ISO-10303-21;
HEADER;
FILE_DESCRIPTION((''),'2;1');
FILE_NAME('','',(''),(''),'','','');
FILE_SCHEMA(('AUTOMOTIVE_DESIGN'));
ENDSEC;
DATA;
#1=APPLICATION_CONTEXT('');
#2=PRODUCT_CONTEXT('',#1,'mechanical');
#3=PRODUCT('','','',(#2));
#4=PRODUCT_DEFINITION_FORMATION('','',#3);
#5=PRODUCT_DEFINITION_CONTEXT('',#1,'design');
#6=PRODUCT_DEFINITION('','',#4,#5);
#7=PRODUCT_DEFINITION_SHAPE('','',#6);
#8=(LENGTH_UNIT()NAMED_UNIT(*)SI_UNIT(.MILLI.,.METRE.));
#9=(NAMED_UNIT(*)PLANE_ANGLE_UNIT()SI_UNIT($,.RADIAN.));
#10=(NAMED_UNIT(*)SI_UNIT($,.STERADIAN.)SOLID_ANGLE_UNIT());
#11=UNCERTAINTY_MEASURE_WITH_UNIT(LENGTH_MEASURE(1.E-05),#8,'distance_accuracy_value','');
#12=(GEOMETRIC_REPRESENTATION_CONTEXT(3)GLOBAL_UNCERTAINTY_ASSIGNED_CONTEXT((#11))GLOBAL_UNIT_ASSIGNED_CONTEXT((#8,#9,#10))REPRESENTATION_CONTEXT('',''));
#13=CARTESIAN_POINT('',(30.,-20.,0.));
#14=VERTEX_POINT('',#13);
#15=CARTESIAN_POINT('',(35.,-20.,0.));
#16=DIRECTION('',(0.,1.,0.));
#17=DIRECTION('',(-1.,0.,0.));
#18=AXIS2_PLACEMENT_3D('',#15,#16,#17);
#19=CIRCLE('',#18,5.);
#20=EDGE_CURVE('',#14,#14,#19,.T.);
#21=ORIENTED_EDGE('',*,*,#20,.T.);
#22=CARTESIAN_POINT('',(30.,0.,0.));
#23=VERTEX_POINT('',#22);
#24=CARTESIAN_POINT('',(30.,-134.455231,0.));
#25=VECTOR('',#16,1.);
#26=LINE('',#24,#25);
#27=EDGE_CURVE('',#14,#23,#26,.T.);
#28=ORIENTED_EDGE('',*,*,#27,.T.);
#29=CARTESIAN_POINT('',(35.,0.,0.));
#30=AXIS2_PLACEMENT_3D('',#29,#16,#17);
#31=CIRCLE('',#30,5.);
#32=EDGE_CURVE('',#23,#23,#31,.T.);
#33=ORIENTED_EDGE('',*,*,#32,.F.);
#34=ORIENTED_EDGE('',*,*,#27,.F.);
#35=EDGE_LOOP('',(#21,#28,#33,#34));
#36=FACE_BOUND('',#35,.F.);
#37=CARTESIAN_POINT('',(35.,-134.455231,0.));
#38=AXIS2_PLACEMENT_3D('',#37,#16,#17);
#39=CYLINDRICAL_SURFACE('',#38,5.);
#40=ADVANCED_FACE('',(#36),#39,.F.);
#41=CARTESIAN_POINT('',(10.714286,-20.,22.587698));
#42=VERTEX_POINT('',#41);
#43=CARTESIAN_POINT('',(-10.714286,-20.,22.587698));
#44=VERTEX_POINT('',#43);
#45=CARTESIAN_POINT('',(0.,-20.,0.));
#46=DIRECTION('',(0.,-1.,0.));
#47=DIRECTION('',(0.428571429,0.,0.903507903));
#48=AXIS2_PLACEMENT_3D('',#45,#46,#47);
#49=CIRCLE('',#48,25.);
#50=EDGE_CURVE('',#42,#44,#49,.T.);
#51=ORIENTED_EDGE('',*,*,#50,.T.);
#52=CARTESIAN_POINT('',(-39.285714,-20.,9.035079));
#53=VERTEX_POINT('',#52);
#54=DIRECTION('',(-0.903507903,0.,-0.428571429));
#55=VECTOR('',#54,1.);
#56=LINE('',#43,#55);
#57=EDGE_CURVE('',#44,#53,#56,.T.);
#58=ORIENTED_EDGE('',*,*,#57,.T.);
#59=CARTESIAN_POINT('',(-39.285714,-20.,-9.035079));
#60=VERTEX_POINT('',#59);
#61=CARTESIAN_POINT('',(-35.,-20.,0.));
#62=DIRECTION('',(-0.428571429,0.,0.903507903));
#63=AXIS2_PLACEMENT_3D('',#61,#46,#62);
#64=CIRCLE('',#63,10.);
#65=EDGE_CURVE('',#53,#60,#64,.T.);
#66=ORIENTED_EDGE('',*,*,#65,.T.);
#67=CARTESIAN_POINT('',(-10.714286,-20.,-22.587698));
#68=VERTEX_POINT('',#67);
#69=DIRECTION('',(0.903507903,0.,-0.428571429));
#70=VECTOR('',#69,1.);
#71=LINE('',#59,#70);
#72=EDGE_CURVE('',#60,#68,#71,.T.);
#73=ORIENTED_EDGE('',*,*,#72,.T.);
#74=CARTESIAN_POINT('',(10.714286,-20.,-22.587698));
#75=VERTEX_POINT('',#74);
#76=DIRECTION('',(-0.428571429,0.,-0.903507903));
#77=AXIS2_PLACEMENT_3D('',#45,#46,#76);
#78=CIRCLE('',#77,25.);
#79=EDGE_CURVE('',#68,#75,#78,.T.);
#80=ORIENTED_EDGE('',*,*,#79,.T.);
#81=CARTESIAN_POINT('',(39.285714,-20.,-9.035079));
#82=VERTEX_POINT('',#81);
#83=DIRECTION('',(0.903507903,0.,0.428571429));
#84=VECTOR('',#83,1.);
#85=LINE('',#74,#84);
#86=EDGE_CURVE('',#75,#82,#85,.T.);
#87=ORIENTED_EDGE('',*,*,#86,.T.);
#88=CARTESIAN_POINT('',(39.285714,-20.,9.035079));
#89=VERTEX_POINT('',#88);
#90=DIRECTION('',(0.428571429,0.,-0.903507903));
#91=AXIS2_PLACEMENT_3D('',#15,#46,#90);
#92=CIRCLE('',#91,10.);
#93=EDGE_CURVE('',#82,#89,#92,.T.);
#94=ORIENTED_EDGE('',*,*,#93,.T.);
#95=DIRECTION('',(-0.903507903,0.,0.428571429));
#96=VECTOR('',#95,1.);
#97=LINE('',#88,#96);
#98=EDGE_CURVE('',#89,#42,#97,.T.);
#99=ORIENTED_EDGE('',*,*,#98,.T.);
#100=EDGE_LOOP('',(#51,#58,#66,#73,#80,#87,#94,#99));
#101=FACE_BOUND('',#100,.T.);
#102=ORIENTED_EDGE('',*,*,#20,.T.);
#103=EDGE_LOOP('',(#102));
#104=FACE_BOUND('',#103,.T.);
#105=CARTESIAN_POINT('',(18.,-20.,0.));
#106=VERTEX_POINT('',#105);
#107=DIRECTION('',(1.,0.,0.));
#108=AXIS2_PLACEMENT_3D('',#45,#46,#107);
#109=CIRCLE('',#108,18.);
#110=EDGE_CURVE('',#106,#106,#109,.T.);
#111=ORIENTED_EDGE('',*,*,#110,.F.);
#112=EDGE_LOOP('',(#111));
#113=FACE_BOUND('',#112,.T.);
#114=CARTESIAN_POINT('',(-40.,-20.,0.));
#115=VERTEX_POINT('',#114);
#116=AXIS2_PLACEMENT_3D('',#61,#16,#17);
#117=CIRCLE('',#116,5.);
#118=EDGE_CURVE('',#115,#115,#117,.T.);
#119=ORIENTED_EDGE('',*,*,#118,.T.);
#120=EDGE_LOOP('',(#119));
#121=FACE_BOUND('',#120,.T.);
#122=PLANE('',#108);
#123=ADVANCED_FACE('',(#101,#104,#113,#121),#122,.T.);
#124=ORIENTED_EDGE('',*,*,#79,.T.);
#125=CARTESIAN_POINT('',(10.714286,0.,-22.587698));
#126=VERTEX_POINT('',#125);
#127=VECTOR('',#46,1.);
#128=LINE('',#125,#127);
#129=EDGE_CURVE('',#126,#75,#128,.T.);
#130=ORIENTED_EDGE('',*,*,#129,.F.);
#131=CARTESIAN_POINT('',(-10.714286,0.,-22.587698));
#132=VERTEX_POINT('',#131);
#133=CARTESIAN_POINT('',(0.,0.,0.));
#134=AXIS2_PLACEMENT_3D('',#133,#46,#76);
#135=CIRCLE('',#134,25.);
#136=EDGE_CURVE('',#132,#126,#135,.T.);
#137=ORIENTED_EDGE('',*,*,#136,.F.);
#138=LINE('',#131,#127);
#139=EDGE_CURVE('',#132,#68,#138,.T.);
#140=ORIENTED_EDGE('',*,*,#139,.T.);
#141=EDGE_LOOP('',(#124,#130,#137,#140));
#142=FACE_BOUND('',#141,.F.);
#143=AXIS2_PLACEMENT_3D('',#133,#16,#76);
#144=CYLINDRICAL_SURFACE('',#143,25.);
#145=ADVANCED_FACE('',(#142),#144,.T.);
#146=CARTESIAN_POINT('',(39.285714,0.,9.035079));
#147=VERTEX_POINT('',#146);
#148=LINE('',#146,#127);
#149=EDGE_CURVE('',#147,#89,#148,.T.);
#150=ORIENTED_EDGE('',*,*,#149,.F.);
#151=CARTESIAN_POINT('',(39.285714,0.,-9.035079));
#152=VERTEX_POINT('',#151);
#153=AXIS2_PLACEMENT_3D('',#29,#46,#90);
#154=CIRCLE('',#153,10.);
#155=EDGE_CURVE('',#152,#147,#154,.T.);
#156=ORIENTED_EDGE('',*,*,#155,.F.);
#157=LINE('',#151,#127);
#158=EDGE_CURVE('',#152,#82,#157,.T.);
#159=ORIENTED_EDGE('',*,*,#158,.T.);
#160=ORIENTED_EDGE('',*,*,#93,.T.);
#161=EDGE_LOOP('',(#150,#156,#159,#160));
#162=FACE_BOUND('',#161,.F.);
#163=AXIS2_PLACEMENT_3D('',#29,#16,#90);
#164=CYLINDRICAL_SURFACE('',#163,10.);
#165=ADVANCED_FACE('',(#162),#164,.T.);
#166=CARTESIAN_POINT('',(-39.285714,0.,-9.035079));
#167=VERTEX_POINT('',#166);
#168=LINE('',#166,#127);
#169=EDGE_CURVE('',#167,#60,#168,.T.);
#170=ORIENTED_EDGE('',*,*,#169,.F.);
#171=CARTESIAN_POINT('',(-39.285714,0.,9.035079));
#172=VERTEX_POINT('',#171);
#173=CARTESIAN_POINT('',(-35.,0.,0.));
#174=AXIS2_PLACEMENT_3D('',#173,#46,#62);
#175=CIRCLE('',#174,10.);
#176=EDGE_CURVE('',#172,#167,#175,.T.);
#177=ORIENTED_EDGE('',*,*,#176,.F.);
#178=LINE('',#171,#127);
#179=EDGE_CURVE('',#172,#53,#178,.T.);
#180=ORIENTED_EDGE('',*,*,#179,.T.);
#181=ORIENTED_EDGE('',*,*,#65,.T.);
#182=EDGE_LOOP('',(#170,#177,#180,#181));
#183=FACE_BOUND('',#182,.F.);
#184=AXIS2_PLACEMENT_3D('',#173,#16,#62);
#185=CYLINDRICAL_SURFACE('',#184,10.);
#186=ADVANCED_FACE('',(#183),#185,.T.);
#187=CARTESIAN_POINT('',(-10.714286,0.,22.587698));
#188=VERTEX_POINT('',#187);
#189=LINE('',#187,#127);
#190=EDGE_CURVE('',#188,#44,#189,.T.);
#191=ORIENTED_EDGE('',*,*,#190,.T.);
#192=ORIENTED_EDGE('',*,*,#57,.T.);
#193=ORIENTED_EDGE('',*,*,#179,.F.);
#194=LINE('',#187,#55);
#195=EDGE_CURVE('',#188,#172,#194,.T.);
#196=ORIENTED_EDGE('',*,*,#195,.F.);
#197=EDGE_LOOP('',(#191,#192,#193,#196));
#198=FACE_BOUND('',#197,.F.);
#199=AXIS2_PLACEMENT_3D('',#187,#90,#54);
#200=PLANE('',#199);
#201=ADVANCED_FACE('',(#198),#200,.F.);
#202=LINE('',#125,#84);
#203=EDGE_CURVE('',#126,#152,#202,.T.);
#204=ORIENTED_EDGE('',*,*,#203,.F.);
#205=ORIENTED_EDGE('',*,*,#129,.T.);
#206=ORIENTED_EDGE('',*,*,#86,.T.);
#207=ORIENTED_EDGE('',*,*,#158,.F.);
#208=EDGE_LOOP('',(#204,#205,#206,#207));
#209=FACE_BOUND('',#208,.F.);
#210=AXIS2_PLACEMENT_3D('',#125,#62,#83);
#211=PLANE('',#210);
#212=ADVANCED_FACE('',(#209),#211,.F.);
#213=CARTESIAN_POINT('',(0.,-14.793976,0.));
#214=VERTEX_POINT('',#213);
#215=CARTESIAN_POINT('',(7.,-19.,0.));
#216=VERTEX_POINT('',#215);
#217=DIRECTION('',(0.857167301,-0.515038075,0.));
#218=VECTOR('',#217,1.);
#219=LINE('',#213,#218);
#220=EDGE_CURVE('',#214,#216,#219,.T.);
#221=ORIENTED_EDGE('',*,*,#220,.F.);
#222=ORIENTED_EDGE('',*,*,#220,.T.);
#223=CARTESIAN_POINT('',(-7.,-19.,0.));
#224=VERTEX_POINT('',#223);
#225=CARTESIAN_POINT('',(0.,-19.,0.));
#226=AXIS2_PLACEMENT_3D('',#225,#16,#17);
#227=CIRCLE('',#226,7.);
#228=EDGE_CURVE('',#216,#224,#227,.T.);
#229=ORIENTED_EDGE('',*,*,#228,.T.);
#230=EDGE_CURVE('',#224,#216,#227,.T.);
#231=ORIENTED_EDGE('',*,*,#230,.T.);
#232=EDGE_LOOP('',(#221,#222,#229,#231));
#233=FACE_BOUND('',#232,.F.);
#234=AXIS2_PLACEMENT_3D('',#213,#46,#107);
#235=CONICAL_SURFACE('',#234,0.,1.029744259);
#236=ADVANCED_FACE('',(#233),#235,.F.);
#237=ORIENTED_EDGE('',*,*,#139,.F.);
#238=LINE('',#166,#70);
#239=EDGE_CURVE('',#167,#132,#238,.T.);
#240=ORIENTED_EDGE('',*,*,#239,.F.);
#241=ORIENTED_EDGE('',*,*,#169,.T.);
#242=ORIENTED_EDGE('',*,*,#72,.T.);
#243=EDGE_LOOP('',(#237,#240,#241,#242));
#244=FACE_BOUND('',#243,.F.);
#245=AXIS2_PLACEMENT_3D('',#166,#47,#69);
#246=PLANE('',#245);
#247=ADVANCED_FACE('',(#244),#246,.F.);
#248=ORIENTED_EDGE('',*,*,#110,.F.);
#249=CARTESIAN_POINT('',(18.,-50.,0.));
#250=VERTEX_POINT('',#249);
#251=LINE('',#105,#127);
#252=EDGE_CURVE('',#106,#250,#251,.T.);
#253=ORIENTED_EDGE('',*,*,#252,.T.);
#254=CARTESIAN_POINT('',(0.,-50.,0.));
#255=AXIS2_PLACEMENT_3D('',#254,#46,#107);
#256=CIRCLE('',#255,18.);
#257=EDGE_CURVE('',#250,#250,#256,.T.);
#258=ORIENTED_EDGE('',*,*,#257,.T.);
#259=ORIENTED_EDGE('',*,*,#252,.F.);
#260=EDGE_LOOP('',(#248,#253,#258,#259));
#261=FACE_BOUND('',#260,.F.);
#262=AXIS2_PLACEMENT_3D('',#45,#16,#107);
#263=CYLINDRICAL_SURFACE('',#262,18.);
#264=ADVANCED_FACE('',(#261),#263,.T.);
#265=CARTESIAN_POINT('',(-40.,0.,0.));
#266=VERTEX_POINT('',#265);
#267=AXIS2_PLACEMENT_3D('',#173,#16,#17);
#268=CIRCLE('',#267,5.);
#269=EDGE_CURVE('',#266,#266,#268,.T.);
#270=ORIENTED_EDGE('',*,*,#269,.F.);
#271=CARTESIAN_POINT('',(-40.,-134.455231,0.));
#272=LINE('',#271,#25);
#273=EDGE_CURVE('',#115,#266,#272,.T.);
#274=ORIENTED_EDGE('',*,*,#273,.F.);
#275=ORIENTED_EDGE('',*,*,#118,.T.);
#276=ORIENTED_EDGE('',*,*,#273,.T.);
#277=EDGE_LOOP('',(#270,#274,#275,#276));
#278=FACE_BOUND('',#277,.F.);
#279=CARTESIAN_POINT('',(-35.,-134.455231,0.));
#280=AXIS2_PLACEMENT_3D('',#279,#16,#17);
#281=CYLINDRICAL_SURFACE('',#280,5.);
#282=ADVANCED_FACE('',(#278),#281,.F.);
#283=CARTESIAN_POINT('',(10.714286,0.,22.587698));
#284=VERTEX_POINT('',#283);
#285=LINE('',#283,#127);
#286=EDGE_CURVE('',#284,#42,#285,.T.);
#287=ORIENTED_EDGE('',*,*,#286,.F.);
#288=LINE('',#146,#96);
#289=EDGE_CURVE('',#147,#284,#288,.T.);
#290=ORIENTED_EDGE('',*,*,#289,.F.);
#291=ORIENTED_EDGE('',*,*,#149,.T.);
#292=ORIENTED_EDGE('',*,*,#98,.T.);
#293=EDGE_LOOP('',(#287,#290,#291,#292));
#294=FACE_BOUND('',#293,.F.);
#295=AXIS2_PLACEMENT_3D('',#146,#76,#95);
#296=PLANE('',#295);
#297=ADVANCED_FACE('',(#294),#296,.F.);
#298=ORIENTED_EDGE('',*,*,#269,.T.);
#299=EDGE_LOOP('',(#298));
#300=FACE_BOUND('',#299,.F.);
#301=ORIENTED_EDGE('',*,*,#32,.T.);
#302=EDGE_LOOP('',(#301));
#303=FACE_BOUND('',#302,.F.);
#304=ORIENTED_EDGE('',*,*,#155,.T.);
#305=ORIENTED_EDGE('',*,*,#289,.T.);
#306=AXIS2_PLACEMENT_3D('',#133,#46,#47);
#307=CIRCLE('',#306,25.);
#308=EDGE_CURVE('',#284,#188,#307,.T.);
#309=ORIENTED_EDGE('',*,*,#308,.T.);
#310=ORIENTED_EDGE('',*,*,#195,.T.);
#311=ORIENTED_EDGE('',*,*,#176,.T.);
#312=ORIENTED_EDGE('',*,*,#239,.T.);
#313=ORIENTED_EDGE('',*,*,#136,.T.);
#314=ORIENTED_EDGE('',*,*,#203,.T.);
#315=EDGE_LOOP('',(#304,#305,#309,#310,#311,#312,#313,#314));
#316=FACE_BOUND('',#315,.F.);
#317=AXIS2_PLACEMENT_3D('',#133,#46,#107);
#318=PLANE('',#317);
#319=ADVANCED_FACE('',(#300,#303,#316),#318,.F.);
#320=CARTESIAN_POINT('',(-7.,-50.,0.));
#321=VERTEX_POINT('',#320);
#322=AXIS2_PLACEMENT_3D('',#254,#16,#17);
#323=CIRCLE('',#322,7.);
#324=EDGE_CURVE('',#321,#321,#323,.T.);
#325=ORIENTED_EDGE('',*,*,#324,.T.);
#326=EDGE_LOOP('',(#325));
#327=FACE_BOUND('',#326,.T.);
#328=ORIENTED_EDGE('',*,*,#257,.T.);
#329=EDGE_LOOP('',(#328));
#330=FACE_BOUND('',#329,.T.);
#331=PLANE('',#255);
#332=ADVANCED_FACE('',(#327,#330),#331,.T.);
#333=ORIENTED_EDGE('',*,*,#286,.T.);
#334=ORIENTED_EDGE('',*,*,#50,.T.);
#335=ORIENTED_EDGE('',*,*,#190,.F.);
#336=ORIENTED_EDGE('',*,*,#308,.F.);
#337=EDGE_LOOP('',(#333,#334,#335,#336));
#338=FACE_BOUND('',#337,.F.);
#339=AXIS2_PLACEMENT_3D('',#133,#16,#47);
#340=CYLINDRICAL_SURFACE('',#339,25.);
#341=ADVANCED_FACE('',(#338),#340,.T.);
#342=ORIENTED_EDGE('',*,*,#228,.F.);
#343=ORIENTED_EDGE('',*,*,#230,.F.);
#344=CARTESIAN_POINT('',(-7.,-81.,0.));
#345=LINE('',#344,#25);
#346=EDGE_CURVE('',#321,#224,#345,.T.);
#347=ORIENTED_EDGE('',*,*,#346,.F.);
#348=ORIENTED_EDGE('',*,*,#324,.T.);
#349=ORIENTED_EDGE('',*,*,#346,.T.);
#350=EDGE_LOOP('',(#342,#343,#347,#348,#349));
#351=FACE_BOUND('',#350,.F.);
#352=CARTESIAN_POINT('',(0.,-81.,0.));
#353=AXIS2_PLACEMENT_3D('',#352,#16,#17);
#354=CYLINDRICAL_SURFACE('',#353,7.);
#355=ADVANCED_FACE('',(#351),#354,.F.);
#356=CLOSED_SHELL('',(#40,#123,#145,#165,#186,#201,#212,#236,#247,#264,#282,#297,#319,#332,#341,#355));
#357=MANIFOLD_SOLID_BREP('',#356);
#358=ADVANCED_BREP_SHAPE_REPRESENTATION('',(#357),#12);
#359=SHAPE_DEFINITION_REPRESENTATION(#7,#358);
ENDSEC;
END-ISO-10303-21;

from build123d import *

# Parameters (mm, degrees)
F1_DEPTH = 20
F2_R     = 18
F3_DEPTH = 30
F6_D     = 10
F7_D     = 14
F7_DEPTH = 31
F7_TIP   = 4.2060243332


with BuildPart() as f1:
    # F0 (on Front) → F1 (new body)
    with BuildSketch(Plane.XZ):
        with BuildLine():
            Line((39.2857142857, 9.0350790291), (10.7142857143, 22.5876975726))
            ThreePointArc((10.7142857143, 22.5876975726), (0, 25), (-10.7142857143, 22.5876975726))
            Line((-10.7142857143, 22.5876975726), (-39.2857142857, 9.0350790291))
            ThreePointArc((-39.2857142857, 9.0350790291), (-45, 0), (-39.2857142857, -9.0350790291))
            Line((-39.2857142857, -9.0350790291), (-10.7142857143, -22.5876975726))
            ThreePointArc((-10.7142857143, -22.5876975726), (0, -25), (10.7142857143, -22.5876975726))
            Line((10.7142857143, -22.5876975726), (39.2857142857, -9.0350790291))
            ThreePointArc((39.2857142857, -9.0350790291), (45, 0), (39.2857142857, 9.0350790291))
        make_face()
    extrude(amount=F1_DEPTH)

    # F2 (on face) → F3 (join)
    with BuildSketch(Plane.XZ.offset(20)):
        Circle(F2_R)
    extrude(amount=F3_DEPTH)

    # F6 (through all)
    with Locations(Plane.XZ.offset(20)):
        with Locations((35, 0), (-35, 0)):
            Hole(F6_D / 2)

    # F7
    with Locations(Plane.XZ.offset(50)):
        with Locations((0, 0)):
            Hole(F7_D / 2, depth=F7_DEPTH)
            with Locations((0, 0, -(F7_DEPTH + F7_TIP / 2))):  # 118° drill point
                Cone(0, F7_D / 2, F7_TIP, mode=Mode.SUBTRACT)


solid = f1.part
